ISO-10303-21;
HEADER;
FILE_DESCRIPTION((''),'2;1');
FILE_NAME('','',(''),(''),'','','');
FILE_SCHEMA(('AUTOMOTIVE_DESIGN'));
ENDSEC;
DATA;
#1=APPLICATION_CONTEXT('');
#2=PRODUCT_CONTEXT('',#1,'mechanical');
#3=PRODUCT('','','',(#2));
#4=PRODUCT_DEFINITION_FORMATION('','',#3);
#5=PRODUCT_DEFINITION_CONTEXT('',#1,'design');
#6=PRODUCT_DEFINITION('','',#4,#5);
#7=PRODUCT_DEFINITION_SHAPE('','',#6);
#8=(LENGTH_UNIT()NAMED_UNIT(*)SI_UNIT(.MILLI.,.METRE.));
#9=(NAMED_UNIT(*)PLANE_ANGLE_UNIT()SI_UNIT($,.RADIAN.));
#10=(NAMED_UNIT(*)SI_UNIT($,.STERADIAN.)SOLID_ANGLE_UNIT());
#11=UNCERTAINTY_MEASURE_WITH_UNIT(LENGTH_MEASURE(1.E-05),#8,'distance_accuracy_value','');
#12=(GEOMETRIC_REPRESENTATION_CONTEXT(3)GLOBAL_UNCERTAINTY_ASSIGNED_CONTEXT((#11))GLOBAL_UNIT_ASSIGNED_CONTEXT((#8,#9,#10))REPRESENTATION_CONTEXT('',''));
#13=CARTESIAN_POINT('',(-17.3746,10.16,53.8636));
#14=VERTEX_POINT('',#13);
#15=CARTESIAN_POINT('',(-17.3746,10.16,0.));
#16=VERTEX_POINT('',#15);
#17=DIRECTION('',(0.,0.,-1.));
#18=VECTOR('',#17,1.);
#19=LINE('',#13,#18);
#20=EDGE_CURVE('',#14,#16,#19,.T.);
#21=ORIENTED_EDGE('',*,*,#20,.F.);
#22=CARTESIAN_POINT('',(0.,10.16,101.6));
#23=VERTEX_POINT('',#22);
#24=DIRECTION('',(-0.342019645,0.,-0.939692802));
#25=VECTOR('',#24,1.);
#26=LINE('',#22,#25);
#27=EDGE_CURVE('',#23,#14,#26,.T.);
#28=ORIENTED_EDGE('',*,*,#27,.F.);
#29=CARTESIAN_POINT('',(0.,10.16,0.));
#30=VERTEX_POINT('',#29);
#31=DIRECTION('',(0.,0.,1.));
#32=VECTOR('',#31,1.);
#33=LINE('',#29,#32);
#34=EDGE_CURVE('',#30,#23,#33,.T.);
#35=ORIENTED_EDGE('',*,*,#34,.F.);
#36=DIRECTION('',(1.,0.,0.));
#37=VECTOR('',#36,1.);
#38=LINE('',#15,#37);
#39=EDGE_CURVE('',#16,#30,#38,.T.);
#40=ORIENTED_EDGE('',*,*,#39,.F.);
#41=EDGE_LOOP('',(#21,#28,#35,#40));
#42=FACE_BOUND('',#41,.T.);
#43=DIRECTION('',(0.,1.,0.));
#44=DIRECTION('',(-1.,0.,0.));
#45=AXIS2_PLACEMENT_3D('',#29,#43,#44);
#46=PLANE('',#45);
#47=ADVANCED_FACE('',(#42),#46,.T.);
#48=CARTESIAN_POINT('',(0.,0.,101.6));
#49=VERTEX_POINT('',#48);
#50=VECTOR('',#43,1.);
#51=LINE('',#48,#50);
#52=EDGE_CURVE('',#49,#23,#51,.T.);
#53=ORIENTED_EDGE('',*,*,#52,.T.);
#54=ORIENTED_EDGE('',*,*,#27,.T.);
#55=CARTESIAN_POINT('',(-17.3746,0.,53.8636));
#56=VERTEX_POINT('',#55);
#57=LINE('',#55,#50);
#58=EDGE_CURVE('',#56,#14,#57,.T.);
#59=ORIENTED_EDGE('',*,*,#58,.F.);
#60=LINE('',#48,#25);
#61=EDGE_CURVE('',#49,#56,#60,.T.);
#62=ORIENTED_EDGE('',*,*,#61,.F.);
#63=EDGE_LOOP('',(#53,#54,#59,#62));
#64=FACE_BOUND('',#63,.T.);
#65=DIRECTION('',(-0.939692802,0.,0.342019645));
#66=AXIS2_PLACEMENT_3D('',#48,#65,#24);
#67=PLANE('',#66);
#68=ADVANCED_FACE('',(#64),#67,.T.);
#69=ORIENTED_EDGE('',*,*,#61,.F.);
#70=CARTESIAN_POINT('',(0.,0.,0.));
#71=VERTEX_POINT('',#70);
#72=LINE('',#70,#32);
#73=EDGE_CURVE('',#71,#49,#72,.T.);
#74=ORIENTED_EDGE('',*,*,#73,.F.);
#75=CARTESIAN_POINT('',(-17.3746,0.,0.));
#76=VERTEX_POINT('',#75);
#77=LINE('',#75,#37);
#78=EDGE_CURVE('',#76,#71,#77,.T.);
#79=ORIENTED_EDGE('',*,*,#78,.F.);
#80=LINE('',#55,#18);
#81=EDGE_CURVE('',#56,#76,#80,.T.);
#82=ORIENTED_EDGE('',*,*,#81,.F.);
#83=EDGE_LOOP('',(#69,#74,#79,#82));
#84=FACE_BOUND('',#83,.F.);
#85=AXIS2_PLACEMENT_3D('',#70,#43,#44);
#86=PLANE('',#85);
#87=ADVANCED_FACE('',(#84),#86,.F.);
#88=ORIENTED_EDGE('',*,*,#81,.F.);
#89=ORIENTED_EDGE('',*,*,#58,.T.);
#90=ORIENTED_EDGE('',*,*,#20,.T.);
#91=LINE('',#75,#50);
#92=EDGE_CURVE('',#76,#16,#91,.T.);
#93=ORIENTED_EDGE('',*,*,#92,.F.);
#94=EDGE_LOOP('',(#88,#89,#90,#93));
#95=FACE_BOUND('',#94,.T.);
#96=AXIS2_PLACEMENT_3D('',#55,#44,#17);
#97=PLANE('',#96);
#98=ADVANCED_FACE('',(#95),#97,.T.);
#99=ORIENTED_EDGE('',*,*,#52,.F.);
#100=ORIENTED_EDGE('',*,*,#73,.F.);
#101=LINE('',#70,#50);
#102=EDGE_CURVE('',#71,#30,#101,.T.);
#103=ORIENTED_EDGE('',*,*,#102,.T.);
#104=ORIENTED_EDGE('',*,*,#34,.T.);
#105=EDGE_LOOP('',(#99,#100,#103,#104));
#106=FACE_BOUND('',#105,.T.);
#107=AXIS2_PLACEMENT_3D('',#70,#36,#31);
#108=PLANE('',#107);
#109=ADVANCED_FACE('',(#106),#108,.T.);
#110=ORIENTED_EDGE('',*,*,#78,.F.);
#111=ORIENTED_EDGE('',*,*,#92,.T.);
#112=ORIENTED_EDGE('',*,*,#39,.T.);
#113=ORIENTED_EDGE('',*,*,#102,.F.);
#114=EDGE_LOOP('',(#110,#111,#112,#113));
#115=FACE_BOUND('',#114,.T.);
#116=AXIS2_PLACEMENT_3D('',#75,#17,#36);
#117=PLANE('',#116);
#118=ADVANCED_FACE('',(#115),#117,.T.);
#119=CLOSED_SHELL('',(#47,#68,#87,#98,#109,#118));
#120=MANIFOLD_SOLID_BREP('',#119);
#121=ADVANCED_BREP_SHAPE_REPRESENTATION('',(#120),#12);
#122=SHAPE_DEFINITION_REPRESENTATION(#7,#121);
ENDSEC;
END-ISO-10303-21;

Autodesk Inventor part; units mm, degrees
ref_plane "YZ Plane" through (0, 0, 0) normal (1, 0, 0) x (0, 1, 0)
ref_plane "XZ Plane" through (0, 0, 0) normal (0, 1, 0) x (-1, 0, 0)
ref_plane "XY Plane" through (0, 0, 0) normal (0, 0, 1) x (1, 0, 0)
sketch "Sketch1" plane through (0, 0, 0) normal (0, 1, 0) x (-1, 0, 0)
  line L0 (0, 0) -> (0, 101.6)
  line L1 (0, 101.6) -> (17.3746, 53.8636)
  line L2 (17.3746, 53.8636) -> (17.3746, 0)
  line L3 (17.3746, 0) -> (0, 0)
  dimension "d0" = 101.6
  dimension "d1" = 50.8
  dimension "d2" = 20
extrude "Extrusion1" add sketch "Sketch1" along normal blind 10.16
properties part number "Gripper"
